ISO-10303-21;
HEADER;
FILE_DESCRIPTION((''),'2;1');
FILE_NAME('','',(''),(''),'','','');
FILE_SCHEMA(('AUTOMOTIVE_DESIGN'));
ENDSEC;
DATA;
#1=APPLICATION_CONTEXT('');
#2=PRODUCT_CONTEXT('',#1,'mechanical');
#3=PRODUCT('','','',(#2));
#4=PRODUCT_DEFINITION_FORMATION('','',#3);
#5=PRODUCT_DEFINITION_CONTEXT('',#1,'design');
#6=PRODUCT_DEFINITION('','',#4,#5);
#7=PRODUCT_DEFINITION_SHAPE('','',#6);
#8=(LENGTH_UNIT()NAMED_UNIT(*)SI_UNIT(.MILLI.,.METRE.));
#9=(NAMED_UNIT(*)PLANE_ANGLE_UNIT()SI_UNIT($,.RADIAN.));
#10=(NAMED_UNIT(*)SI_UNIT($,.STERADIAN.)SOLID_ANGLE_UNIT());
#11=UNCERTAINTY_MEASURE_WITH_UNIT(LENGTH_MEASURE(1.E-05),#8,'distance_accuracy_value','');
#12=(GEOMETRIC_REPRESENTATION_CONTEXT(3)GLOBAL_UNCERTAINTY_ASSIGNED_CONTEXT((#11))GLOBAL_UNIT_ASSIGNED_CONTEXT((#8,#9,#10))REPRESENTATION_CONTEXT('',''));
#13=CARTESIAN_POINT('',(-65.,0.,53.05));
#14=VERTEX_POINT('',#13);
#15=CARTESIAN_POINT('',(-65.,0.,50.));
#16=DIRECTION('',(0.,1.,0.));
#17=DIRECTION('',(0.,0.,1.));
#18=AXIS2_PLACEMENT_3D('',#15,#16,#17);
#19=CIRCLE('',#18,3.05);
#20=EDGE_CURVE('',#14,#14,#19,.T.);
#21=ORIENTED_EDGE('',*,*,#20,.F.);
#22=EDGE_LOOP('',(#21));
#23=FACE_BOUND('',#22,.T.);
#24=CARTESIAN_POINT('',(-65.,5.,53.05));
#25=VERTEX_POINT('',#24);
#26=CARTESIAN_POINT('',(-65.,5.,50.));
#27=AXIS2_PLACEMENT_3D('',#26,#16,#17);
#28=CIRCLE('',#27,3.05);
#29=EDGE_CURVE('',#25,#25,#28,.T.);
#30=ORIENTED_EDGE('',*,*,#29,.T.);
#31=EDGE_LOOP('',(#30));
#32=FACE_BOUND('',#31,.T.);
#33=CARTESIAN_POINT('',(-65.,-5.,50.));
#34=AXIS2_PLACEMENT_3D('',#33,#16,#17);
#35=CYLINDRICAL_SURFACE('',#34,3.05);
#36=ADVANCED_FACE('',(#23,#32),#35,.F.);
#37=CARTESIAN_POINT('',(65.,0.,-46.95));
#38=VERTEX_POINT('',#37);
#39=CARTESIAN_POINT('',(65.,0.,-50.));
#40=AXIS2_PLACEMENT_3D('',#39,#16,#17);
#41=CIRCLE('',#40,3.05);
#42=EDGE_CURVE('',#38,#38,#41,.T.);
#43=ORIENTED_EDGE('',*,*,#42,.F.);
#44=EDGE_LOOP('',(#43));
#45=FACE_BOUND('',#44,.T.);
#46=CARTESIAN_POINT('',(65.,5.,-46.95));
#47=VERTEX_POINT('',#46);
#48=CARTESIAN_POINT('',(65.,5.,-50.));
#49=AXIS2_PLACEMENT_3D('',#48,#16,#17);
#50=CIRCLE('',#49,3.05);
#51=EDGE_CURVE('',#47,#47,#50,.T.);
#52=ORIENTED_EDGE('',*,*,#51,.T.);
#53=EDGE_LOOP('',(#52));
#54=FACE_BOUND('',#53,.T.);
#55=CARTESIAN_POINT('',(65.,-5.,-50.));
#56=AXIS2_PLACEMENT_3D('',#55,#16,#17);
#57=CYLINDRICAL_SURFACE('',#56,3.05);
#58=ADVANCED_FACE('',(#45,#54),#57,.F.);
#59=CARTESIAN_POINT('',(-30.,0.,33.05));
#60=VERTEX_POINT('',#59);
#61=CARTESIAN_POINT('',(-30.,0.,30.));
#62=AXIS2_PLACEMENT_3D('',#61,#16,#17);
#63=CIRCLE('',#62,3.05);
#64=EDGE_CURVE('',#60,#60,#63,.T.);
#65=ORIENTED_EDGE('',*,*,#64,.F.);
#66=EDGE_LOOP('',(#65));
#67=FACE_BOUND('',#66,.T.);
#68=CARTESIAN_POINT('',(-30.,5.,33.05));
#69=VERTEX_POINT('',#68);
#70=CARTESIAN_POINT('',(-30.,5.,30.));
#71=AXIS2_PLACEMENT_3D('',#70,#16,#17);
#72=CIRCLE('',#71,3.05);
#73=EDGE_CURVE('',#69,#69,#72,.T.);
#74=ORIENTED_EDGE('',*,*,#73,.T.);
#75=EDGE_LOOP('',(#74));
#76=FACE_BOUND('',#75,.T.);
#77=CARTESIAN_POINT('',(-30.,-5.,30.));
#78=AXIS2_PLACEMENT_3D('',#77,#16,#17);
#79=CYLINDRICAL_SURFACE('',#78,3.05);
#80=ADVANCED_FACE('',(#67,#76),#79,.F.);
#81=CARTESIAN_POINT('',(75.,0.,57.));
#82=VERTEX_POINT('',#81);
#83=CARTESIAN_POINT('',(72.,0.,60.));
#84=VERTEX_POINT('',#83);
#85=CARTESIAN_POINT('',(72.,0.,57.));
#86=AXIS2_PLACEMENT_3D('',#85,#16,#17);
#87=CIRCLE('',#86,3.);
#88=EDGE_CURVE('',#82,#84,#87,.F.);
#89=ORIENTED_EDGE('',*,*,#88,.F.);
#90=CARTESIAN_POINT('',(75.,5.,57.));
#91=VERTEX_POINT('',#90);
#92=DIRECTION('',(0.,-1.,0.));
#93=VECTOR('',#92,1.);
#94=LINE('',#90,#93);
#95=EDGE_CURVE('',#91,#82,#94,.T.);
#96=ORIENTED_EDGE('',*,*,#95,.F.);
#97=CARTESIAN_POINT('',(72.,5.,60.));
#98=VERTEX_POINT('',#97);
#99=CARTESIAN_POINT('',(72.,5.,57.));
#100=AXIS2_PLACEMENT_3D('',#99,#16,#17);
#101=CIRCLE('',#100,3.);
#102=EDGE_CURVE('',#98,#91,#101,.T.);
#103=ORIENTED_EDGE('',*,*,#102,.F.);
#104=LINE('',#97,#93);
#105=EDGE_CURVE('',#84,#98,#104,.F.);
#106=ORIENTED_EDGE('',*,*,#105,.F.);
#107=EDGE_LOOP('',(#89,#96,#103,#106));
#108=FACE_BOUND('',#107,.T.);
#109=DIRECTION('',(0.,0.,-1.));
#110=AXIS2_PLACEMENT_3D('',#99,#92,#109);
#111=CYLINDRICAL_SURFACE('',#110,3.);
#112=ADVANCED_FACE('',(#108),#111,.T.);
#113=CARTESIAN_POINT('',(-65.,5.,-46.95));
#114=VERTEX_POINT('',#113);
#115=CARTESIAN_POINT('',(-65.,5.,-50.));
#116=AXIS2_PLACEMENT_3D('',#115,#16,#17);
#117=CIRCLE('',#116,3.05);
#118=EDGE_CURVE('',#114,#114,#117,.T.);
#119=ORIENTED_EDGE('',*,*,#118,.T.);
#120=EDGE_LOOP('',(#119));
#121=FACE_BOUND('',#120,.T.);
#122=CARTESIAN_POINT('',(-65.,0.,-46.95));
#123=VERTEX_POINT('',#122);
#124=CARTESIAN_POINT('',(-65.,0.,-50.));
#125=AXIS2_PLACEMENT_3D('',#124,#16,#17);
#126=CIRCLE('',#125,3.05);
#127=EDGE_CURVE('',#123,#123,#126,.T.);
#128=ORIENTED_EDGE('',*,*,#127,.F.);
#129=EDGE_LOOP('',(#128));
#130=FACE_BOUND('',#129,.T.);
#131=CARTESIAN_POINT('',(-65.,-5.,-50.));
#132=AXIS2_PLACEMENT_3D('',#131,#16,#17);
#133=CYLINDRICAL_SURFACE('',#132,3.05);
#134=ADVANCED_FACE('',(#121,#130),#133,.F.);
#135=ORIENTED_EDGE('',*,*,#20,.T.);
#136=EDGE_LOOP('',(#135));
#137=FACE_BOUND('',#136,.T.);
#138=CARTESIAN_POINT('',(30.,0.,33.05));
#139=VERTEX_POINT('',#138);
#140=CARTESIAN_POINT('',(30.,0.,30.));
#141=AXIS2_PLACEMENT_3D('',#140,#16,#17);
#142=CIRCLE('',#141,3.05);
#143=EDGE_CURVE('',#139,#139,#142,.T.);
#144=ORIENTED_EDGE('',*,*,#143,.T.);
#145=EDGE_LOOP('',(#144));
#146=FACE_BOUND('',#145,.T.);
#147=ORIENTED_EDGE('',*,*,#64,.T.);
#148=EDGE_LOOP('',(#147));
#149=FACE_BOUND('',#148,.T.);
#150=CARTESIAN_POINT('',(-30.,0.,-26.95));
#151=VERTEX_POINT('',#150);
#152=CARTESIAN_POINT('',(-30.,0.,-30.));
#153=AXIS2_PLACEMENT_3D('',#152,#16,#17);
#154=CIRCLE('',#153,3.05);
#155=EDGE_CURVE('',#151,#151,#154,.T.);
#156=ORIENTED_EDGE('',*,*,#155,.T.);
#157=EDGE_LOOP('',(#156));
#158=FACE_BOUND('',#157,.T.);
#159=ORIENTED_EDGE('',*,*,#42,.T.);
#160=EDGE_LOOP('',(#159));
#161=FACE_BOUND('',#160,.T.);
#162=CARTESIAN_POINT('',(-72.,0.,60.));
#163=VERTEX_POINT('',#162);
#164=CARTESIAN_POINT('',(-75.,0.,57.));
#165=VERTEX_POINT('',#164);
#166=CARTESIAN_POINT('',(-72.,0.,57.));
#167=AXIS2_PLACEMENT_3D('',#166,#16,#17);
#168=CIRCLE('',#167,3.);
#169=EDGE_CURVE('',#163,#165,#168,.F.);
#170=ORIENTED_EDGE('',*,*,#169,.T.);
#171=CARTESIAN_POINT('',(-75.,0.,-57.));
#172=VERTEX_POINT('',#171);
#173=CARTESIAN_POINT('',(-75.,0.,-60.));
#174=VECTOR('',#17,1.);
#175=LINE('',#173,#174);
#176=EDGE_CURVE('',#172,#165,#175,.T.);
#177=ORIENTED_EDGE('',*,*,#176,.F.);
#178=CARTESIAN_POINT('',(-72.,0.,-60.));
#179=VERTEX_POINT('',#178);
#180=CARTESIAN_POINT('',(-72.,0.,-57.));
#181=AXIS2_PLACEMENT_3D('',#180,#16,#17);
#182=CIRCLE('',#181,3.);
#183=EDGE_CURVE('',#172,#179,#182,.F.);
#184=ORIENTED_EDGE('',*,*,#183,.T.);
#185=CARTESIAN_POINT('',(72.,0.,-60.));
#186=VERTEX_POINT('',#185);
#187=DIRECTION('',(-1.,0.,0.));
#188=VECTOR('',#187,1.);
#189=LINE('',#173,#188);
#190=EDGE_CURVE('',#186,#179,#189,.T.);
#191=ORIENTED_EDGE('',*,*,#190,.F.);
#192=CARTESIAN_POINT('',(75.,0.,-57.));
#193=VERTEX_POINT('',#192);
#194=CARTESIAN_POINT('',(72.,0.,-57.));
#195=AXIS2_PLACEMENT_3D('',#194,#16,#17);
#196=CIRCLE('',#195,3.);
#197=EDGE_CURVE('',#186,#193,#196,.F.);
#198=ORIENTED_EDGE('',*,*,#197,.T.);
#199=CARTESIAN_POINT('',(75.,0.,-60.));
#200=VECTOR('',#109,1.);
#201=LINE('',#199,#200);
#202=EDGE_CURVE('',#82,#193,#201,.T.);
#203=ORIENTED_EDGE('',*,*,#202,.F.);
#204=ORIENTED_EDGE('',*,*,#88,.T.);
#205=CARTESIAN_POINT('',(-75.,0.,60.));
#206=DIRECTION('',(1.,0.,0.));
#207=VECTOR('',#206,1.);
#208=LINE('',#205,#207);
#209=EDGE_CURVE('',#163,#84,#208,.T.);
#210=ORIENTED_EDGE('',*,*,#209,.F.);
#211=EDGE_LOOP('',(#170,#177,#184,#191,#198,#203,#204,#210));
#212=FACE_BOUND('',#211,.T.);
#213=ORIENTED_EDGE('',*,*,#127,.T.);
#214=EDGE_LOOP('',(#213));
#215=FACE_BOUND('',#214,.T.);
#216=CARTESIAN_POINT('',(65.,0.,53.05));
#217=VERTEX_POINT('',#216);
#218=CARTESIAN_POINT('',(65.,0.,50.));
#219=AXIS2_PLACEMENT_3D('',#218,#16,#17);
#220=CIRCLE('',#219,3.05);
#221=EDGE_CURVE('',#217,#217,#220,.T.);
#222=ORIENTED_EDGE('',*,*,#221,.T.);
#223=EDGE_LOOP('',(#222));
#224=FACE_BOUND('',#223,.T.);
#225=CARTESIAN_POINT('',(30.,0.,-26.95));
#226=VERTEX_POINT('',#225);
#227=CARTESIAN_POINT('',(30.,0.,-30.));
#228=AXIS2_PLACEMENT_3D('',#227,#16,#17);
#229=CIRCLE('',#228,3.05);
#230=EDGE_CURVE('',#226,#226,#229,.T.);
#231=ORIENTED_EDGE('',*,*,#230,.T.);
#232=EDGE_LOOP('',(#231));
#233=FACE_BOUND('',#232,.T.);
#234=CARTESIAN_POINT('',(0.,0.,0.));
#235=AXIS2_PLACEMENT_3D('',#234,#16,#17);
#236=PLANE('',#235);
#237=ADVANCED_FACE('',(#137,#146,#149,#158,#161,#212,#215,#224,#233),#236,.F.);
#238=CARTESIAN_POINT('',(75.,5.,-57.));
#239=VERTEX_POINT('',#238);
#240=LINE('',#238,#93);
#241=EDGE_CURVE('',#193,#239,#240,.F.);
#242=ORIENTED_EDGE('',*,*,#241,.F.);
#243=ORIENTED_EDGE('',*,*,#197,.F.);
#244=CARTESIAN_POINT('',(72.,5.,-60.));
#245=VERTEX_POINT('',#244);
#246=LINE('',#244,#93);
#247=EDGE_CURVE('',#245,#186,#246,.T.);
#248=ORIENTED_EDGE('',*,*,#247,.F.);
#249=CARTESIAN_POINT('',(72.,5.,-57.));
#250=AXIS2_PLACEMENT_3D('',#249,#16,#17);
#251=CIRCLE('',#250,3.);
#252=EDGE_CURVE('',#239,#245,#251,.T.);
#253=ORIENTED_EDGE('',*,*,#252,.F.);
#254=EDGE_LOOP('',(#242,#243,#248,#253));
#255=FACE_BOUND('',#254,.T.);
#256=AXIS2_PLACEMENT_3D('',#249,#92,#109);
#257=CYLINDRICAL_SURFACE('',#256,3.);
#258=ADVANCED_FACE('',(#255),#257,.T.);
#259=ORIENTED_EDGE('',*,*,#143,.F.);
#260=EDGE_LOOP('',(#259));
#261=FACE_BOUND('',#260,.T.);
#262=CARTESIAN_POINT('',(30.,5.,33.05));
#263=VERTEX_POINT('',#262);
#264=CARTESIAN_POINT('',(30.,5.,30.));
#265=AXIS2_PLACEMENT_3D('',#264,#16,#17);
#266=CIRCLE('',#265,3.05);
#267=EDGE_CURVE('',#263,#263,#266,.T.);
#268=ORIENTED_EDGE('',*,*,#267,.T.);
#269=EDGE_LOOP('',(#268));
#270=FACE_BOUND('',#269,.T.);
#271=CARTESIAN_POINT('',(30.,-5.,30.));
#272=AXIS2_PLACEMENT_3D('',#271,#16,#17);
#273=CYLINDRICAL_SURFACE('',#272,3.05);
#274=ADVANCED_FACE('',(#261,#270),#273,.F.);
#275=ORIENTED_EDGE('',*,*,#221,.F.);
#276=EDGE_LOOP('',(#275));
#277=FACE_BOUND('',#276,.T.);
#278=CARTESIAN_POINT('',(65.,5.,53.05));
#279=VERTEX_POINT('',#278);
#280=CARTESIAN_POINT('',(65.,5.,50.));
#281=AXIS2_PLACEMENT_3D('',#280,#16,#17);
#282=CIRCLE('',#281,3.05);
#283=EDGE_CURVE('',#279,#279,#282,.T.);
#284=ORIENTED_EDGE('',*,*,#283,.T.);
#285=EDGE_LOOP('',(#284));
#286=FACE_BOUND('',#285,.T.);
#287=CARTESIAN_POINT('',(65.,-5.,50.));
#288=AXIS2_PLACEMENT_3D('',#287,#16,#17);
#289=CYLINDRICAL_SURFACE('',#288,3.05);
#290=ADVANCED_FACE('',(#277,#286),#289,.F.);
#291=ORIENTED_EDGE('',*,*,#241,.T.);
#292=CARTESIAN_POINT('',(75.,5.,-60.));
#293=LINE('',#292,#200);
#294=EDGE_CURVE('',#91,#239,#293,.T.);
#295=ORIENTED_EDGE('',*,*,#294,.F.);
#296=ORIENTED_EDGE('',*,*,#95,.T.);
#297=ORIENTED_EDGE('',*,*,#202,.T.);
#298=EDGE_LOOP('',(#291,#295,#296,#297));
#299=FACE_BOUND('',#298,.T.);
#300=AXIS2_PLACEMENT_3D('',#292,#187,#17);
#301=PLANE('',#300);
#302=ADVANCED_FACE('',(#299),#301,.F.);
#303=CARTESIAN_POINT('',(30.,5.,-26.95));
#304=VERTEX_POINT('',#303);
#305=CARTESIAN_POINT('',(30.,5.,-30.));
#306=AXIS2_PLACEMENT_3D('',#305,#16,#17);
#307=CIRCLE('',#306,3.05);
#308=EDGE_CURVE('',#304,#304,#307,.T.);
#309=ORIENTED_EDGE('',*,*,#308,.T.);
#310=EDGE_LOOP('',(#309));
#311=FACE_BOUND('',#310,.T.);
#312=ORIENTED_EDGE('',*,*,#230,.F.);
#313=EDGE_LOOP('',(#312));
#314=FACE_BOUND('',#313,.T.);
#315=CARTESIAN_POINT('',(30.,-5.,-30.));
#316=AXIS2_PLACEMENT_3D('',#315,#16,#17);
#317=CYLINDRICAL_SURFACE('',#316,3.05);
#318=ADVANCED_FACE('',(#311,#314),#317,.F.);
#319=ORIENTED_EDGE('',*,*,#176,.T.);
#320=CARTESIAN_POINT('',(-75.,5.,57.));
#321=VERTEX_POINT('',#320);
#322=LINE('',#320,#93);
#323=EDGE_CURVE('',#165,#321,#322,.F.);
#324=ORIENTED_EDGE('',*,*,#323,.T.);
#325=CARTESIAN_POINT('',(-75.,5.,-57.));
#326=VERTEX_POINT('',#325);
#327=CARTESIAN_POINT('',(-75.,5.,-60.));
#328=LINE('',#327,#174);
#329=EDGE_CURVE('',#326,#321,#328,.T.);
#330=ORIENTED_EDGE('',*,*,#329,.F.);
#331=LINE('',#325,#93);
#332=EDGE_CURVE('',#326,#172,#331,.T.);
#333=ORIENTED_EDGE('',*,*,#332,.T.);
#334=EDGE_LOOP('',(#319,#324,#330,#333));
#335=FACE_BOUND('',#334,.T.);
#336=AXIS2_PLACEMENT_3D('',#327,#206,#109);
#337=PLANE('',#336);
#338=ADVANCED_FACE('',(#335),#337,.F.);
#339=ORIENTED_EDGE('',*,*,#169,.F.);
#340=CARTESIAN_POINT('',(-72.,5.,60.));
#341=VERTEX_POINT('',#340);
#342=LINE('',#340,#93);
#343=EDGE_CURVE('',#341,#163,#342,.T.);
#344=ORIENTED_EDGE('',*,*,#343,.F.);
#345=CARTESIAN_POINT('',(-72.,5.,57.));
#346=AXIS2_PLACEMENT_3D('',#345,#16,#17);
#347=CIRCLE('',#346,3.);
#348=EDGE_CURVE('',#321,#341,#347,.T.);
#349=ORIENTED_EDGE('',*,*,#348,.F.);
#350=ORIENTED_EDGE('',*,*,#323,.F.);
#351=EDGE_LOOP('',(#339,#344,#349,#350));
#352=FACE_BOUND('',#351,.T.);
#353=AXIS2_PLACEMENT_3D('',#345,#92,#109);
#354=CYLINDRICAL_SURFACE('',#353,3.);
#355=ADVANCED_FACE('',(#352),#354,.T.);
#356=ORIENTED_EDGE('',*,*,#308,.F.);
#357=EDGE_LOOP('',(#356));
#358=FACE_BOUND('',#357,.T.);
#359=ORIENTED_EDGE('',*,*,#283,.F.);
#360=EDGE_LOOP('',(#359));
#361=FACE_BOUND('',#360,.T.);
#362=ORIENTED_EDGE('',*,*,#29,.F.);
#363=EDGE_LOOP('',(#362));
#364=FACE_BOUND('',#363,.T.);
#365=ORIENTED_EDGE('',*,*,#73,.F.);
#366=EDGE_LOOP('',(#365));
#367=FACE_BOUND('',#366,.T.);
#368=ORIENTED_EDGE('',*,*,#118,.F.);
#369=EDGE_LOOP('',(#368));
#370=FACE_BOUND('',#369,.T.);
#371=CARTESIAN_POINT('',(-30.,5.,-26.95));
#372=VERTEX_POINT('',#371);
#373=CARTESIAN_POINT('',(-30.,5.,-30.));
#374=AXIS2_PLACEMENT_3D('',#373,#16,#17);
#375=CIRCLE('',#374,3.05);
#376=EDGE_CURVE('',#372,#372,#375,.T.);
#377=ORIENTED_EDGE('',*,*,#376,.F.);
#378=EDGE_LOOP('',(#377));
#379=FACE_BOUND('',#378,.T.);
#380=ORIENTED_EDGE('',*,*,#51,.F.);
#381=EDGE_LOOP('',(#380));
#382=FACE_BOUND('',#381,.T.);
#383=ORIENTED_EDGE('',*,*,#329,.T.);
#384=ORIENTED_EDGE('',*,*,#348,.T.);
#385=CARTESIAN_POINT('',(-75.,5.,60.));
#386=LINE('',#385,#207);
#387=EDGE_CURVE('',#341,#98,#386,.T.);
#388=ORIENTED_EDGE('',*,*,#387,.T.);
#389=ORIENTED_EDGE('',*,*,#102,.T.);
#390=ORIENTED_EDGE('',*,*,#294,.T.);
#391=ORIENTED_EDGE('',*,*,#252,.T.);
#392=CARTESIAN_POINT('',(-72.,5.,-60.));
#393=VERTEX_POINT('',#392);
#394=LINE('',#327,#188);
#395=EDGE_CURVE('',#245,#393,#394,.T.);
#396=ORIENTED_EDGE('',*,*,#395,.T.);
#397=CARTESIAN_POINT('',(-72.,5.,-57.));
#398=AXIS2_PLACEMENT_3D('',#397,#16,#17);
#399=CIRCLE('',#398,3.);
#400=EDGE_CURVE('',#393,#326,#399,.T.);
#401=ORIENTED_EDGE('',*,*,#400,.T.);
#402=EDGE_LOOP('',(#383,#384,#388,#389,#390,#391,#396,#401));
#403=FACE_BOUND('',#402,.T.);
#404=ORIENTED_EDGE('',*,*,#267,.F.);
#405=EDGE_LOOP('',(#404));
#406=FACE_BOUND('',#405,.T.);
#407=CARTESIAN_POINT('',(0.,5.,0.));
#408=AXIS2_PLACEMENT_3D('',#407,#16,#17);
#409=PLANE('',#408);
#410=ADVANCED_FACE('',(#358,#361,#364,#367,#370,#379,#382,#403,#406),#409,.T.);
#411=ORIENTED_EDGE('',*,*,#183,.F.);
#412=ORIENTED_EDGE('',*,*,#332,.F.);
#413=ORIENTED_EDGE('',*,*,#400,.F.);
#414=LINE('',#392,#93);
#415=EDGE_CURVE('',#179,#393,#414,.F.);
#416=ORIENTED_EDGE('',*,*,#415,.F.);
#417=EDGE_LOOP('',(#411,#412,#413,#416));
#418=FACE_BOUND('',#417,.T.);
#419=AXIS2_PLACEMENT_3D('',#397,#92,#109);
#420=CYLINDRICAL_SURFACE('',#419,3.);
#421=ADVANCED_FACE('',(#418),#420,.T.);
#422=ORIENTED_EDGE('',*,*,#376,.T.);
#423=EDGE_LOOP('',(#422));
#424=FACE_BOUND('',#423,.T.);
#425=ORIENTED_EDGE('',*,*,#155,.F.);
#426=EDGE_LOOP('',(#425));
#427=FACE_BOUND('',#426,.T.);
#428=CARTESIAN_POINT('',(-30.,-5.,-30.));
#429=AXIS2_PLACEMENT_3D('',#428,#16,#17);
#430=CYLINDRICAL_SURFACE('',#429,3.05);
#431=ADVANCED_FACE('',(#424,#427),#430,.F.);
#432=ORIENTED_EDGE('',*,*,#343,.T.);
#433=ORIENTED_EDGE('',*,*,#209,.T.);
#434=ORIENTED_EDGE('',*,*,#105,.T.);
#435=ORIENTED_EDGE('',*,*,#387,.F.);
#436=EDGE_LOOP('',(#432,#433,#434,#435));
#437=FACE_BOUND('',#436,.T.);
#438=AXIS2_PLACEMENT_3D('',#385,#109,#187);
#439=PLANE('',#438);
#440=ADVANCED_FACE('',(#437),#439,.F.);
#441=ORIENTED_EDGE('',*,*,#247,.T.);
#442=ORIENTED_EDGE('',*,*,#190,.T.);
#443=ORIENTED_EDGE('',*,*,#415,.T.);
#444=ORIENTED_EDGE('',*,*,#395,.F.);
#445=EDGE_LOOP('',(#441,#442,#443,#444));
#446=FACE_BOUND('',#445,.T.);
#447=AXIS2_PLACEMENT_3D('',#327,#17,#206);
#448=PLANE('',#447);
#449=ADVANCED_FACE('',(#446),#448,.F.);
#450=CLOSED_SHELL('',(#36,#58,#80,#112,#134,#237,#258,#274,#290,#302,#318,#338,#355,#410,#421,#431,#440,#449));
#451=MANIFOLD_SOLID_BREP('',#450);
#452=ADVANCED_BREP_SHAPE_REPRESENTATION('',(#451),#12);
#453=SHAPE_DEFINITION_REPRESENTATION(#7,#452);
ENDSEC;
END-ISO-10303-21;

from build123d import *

# Parameters (mm, degrees)
SKETCH1_W           = 150
SKETCH1_H           = 120
BOSS_EXTRUDE1_DEPTH = 5
SKETCH2_R           = 3.05
CUT_EXTRUDE1_DEPTH  = 10
FILLET1_R           = 3


with BuildPart() as part:
    # Sketch1 → Boss-Extrude1 (new body)
    with BuildSketch(Plane(origin=(0, 0, 0), x_dir=(1, 0, 0), z_dir=(0, 1, 0))):
        Rectangle(SKETCH1_W, SKETCH1_H)
    extrude(amount=BOSS_EXTRUDE1_DEPTH)

    # Sketch2 → Cut-Extrude1 (cut)
    with BuildSketch(Plane(origin=(0, 5, 0), x_dir=(1, 0, 0), z_dir=(0, 1, 0))):
        with Locations(Location((-30, 30, 0), (0, 0, 270))):
            Circle(SKETCH2_R)
        with Locations(Location((30, 30, 0), (0, 0, 270))):
            Circle(SKETCH2_R)
        with Locations(Location((30, -30, 0), (0, 0, 270))):
            Circle(SKETCH2_R)
        with Locations(Location((-30, -30, 0), (0, 0, 270))):
            Circle(SKETCH2_R)
        with Locations(Location((-65, 50, 0), (0, 0, 270))):
            Circle(SKETCH2_R)
        with Locations(Location((65, 50, 0), (0, 0, 270))):
            Circle(SKETCH2_R)
        with Locations(Location((-65, -50, 0), (0, 0, 270))):
            Circle(SKETCH2_R)
        with Locations(Location((65, -50, 0), (0, 0, 270))):
            Circle(SKETCH2_R)
    extrude(amount=-CUT_EXTRUDE1_DEPTH, mode=Mode.SUBTRACT)

    # Fillet1
    fillet1_edges = [part.edges().sort_by_distance(p)[0] for p in [
        (75, 2.5, 60),
        (-75, 2.5, 60),
        (-75, 2.5, -60),
        (75, 2.5, -60),
    ]]
    fillet(fillet1_edges, radius=FILLET1_R)


solid = part.part
